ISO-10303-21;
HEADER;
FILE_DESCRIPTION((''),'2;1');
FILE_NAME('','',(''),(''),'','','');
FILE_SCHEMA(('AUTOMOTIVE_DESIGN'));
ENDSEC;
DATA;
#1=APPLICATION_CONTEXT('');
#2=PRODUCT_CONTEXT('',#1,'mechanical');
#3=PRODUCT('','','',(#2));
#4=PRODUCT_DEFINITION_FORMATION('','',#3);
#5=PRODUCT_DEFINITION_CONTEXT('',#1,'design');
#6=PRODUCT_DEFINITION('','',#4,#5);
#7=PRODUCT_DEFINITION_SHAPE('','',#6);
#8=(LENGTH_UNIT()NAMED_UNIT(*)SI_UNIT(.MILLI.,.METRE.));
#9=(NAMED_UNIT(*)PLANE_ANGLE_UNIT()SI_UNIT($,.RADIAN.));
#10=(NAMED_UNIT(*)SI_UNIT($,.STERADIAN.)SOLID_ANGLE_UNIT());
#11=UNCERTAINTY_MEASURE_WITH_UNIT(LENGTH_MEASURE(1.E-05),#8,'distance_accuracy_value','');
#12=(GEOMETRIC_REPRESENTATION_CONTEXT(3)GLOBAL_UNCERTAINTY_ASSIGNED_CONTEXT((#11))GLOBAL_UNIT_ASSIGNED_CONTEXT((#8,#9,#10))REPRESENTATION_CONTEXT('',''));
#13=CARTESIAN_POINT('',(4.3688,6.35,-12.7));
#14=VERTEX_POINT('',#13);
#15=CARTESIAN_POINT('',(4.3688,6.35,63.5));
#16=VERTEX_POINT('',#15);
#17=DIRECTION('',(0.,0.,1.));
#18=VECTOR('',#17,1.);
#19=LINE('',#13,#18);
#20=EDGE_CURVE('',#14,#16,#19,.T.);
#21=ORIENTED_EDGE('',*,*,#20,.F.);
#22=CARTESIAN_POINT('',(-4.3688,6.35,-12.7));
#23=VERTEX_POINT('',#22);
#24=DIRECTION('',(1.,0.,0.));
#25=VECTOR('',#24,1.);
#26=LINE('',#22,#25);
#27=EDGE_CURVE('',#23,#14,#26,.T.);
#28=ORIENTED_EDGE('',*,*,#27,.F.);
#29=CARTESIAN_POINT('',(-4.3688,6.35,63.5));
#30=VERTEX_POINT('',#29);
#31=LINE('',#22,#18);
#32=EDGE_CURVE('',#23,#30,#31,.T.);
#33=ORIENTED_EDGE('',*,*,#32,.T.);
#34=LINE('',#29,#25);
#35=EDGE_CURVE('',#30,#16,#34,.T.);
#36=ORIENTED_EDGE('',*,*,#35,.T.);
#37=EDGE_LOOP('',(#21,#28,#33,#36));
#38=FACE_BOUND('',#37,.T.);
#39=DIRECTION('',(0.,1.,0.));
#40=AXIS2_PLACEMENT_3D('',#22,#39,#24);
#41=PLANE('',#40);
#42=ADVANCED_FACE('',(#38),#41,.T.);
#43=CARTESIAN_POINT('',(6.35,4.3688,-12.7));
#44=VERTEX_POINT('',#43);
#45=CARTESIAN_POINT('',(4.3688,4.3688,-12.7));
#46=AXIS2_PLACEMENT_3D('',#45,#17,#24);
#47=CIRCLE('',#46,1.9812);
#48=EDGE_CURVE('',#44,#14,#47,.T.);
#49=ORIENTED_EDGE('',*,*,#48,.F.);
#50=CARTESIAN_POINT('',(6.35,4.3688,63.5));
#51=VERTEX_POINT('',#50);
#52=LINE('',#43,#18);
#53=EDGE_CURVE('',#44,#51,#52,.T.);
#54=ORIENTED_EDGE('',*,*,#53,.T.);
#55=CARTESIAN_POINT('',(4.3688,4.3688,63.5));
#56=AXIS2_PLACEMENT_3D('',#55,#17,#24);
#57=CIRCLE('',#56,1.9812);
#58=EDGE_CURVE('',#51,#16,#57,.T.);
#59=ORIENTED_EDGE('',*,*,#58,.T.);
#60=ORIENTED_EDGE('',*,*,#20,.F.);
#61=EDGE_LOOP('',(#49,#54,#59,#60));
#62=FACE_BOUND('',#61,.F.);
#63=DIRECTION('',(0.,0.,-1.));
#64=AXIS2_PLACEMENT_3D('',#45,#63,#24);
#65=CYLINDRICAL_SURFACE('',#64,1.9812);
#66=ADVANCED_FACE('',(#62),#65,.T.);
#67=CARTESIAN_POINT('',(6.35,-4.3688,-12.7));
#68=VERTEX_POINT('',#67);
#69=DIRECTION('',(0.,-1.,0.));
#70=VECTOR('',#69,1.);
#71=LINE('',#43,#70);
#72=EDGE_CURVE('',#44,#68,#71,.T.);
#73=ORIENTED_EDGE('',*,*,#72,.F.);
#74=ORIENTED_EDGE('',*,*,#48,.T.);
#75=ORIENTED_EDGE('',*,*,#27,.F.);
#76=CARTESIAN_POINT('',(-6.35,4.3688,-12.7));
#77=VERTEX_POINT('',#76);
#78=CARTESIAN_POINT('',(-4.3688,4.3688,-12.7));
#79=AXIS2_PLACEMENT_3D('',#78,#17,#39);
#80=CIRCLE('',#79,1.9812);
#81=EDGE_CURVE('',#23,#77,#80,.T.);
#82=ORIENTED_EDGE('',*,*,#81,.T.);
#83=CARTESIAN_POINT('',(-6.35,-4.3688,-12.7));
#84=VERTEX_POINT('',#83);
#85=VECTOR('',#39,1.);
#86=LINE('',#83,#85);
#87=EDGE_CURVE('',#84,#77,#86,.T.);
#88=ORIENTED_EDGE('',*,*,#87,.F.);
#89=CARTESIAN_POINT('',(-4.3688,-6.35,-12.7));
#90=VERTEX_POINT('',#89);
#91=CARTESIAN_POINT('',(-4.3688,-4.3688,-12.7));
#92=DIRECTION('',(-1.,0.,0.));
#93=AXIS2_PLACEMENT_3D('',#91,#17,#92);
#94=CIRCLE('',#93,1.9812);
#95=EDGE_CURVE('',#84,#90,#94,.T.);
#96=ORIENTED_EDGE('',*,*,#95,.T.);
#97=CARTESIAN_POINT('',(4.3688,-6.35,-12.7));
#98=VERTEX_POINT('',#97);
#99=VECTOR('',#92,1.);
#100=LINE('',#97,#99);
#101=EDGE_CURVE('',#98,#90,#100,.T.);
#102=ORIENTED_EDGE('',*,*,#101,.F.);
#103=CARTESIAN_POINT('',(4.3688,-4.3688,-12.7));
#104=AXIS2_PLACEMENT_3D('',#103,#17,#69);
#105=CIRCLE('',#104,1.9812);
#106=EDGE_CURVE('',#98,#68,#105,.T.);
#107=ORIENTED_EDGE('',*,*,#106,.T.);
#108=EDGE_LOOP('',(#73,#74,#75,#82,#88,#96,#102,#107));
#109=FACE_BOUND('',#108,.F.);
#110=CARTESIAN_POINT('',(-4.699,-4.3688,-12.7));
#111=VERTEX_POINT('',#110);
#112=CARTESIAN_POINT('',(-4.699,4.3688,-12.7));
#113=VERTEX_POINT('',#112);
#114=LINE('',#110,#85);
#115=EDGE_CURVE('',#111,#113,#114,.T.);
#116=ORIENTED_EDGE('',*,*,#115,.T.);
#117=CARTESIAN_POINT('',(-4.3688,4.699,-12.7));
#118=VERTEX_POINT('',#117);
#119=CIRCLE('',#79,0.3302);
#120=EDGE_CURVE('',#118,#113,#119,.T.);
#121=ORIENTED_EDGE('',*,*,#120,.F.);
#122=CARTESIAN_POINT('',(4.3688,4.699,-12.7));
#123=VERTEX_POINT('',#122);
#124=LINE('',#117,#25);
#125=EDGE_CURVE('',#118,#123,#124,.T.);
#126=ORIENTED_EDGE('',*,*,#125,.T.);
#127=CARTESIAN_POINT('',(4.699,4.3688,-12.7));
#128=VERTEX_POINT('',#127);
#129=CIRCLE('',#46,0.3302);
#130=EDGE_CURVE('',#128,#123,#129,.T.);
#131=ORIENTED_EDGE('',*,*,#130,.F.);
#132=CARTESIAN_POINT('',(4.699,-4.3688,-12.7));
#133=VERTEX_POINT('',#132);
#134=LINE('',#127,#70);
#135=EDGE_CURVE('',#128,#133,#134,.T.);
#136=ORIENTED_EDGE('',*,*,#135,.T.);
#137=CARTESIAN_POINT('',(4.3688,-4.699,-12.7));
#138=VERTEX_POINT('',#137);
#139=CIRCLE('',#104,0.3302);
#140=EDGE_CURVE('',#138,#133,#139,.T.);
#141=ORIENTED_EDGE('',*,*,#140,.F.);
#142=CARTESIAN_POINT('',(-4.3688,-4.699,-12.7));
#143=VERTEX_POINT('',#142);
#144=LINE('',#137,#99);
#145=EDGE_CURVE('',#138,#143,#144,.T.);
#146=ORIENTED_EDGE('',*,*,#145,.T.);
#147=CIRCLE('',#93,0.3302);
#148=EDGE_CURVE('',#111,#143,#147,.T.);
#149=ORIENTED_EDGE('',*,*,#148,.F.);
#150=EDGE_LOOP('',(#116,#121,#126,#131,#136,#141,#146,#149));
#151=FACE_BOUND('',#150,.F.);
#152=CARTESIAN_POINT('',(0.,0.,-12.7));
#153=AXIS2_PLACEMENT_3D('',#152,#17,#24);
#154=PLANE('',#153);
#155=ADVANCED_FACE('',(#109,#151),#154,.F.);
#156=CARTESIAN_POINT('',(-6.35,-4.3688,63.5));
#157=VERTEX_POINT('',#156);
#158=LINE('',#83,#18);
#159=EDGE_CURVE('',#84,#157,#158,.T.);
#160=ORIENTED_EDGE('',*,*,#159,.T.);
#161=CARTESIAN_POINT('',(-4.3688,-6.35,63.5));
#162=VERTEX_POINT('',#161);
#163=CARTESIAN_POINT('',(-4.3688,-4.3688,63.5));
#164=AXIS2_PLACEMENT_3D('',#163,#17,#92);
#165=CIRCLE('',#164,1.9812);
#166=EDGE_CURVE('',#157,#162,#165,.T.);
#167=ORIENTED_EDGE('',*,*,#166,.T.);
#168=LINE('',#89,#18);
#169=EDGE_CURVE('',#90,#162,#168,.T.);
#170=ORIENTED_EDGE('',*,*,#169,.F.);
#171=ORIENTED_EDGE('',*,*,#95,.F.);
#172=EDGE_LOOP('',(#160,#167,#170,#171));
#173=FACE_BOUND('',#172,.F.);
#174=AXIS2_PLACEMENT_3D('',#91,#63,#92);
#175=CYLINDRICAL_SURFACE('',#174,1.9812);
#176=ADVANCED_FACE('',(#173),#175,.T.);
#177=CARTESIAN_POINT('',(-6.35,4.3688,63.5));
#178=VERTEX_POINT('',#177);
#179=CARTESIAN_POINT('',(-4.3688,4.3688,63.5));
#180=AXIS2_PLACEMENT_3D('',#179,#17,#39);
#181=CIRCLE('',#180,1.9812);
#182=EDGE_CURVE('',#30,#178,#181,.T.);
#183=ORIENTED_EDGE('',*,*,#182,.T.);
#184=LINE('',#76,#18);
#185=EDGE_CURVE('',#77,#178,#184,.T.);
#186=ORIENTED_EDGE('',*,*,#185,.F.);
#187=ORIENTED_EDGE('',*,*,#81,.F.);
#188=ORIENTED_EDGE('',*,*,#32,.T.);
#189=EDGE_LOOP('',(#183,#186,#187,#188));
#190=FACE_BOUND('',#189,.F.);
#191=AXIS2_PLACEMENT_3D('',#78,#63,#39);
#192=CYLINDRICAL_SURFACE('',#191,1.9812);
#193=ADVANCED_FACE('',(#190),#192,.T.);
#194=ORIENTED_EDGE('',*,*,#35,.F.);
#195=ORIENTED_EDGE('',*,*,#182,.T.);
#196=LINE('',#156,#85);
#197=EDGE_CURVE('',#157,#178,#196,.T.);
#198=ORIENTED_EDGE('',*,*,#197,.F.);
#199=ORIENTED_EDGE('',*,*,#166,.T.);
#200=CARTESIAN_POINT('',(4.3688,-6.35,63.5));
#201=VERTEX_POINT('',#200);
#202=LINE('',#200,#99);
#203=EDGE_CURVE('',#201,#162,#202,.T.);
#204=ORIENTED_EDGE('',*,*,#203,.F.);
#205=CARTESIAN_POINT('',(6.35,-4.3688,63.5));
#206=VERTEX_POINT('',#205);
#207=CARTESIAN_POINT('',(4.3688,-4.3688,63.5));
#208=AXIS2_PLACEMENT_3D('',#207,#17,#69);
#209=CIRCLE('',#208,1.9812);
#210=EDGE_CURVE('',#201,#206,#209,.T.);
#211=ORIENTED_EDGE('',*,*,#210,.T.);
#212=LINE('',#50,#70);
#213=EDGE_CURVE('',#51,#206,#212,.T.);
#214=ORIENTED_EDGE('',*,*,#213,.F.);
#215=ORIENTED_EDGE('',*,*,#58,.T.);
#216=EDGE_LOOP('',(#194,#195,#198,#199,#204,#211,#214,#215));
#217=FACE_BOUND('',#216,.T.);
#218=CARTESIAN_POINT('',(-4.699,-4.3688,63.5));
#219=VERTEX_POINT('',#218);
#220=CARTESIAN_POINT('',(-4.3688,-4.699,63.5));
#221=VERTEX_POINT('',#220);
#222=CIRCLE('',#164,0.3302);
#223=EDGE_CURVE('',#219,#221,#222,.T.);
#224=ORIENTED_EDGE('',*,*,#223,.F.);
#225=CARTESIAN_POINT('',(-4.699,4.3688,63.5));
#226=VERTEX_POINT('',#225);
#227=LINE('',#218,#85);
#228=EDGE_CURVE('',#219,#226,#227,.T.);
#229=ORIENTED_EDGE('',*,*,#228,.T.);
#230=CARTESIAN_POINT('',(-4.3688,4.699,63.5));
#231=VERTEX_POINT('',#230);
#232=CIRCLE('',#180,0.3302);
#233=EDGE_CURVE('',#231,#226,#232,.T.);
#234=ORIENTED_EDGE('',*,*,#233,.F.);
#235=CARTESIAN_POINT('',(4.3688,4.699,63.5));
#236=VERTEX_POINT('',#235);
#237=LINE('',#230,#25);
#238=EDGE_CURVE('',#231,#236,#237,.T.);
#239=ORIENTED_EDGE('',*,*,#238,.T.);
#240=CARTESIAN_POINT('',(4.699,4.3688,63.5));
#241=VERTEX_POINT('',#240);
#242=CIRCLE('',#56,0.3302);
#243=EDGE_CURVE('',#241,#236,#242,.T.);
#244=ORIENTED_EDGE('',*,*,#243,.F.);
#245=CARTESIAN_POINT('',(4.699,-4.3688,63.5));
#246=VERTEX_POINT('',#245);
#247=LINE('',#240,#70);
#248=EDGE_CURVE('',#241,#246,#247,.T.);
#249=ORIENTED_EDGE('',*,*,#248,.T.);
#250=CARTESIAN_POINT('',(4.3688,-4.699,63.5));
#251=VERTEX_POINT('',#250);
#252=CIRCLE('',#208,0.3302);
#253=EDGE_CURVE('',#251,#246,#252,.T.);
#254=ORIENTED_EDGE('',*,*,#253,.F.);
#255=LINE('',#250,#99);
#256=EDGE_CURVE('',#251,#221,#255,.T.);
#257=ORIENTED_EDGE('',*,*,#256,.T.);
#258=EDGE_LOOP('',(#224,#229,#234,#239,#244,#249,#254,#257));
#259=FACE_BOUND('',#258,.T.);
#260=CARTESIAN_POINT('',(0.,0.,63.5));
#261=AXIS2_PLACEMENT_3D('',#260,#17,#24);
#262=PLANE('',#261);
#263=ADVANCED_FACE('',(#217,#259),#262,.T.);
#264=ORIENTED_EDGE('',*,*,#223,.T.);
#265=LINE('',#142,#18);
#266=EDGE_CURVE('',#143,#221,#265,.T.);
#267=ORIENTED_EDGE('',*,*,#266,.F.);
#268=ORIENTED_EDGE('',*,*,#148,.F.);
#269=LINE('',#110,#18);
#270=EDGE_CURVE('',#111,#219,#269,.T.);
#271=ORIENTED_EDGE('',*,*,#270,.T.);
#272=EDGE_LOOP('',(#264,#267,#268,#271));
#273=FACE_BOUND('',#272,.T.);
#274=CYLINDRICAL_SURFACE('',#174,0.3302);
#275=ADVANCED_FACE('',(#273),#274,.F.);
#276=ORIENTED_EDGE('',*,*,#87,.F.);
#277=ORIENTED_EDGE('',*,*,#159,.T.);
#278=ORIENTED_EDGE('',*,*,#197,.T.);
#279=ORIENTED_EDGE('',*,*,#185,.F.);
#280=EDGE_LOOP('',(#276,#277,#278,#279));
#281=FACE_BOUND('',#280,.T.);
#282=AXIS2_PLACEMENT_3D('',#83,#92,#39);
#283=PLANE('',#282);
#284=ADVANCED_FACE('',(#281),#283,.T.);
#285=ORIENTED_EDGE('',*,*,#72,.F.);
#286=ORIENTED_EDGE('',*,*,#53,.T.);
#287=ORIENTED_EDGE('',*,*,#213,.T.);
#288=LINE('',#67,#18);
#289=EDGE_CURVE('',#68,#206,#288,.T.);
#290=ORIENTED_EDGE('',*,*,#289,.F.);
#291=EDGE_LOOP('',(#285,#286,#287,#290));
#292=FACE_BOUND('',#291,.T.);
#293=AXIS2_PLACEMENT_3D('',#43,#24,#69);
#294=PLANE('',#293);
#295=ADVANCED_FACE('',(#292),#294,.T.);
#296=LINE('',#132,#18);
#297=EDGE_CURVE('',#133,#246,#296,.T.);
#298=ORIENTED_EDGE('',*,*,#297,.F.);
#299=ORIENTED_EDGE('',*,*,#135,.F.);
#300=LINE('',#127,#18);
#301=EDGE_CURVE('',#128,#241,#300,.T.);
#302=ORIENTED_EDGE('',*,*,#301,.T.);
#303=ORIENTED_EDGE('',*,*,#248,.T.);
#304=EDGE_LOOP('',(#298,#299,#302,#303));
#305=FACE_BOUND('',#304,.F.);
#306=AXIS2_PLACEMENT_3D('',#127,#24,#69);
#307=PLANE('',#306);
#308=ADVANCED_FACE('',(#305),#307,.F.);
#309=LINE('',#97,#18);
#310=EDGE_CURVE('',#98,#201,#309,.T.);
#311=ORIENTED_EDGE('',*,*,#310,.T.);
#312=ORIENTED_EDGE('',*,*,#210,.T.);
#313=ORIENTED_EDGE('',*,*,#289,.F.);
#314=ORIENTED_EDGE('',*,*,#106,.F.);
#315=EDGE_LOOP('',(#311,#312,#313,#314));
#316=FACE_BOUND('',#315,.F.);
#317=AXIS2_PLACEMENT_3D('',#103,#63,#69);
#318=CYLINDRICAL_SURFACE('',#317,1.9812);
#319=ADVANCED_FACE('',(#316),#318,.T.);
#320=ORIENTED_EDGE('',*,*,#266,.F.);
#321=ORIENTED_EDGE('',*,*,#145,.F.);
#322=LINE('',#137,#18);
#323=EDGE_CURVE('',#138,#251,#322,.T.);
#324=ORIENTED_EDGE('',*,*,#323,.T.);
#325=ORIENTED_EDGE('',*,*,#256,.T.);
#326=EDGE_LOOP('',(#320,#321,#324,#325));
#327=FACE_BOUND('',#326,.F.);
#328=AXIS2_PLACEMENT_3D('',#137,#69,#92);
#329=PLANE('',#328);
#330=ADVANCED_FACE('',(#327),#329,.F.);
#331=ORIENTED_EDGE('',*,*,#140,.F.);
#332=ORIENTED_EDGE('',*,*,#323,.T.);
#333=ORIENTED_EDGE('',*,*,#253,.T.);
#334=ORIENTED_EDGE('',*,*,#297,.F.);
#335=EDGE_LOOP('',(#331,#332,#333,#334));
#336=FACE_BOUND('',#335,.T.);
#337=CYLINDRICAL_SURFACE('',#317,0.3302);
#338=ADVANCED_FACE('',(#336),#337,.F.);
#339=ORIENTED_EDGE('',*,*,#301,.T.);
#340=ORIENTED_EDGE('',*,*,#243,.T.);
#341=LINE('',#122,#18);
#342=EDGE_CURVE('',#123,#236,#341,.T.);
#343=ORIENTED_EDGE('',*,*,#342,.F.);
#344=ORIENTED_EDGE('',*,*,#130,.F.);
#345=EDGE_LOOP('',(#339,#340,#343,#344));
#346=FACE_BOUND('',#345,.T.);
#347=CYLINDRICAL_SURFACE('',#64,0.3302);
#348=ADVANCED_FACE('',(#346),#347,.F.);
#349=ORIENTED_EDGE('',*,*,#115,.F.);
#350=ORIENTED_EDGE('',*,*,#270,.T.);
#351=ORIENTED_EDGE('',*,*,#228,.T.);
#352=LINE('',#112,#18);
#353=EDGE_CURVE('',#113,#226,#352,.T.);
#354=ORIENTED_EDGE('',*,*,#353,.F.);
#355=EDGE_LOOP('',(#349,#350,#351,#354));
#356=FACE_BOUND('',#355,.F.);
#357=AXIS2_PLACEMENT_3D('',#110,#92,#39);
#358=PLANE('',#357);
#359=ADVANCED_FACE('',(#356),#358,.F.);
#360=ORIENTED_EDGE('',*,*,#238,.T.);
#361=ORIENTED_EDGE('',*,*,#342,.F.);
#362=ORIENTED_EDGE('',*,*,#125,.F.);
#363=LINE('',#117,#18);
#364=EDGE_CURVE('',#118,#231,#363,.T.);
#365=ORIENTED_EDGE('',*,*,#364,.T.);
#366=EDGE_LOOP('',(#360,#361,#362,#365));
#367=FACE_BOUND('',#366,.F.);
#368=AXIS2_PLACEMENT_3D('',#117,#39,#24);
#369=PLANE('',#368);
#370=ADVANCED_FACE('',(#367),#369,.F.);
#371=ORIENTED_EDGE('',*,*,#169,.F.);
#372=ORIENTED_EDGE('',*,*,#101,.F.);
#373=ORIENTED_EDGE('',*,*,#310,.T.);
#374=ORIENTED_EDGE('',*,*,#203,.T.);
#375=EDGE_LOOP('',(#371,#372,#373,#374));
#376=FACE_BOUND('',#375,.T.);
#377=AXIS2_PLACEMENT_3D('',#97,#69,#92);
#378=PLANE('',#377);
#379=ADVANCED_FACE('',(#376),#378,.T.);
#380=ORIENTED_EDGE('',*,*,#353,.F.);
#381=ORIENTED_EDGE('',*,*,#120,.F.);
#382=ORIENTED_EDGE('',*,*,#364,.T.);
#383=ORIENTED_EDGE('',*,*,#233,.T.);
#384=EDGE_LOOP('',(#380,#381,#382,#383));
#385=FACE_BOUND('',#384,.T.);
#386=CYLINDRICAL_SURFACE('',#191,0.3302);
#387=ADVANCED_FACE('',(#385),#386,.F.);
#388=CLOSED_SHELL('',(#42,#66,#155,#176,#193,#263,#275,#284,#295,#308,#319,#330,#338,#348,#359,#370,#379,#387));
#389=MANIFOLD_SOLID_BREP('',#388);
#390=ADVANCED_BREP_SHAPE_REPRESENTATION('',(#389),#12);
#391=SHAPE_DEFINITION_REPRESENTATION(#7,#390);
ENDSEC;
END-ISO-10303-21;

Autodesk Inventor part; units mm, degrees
ref_plane "Start plane" through (0, 0, -12.7) normal (0, 0, 1) x (1, 0, 0)
ref_plane "End plane" through (0, 0, 63.5) normal (0, 0, 1) x (1, 0, 0)
sketch "Sketch" plane through (0, 0, 0) normal (0, 0, 1) x (1, 0, 0)
  line L0 (-6.35, -4.3688) -> (-6.35, 4.3688)
  line L1 (-4.3688, 6.35) -> (4.3688, 6.35)
  line L2 (6.35, 4.3688) -> (6.35, -4.3688)
  line L3 (4.3688, -6.35) -> (-4.3688, -6.35)
  arc A0 (-6.35, -4.3688) -> (-4.3688, -6.35) centre (-4.3688, -4.3688) ccw
  arc A1 (-4.3688, 6.35) -> (-6.35, 4.3688) centre (-4.3688, 4.3688) ccw
  arc A2 (6.35, 4.3688) -> (4.3688, 6.35) centre (4.3688, 4.3688) ccw
  arc A3 (4.3688, -6.35) -> (6.35, -4.3688) centre (4.3688, -4.3688) ccw
  arc A4 (-4.3688, 4.699) -> (-4.699, 4.3688) centre (-4.3688, 4.3688) ccw
  line L4 (-4.3688, 4.699) -> (4.3688, 4.699)
  arc A5 (4.699, 4.3688) -> (4.3688, 4.699) centre (4.3688, 4.3688) ccw
  line L5 (4.699, 4.3688) -> (4.699, -4.3688)
  arc A6 (4.3688, -4.699) -> (4.699, -4.3688) centre (4.3688, -4.3688) ccw
  line L6 (4.3688, -4.699) -> (-4.3688, -4.699)
  arc A7 (-4.699, -4.3688) -> (-4.3688, -4.699) centre (-4.3688, -4.3688) ccw
  line L7 (-4.699, -4.3688) -> (-4.699, 4.3688)
  line L8 (0, 9.4644) -> (0, -9.4644) construction
  line L9 (-10.1124, 0) -> (13.3521, 0) construction
  dimension "d10" = 12.7
  dimension "d11" = 12.7
  dimension "d12" = 1.651
  dimension "d15" = 6.35
  dimension "d16" = 6.35
  dimension "d17" = 1.9812
extrude "Body" add sketch "Sketch" along normal up to surface (76.2 mm away) from surface at -12.7
sketch "Sketch3" plane through (0, 0, 0) normal (0, 0, 1) x (1, 0, 0)
  line L0 (0, 0) -> (10, 0)
ref_plane "Work Plane3" through (0, 0, 0) normal (0, -1, 0) x (1, 0, 0)
sketch "Sketch4" plane through (0, 0, 0) normal (0, -1, 0) x (1, 0, 0)
  line L0 (-2, -12.7) -> (12, -12.7)
  line L1 (-2, 63.5) -> (12, 63.5)
  dimension "d19" = 76.2
ref_plane "Work Plane4" through (6.35, -17.0688, -12.7) normal (0, 0, -1) x (-1, 0, 0)
split "Split1" plane through (6.35, -17.0688, -12.7) removes the side toward (0, 0, -1)
ref_plane "Work Plane5" through (6.35, -8.3312, 63.5) normal (0, 0, 1) x (1, 0, 0)
split "Split2" plane through (6.35, -8.3312, 63.5) removes the side toward (0, 0, 1)
equation "\"d10\" = G_H"
equation "\"d11\" = G_W"
equation "\"d12\" = G_T"
equation "\"d15\" = 0.5 * d10"
equation "\"d16\" = 0.5 * d11"
equation "\"d17\" = G_IR"
equation "\"d3\" = G_L"
equation "\"G_W\" = 12.7"
equation "\"G_H\" = 12.7"
equation "\"G_T\" = 1.651"
equation "\"G_IR\" = 1.2 * G_T"
equation "\"G_L\" = d19"
equation "\"G_OFFSET_START\" = 12.7"
equation "\"G_OFFSET_END\" = 12.7"
equation "\"d13\" = -G_OFFSET_START"
equation "\"d14\" = G_OFFSET_END + B_L"
equation "\"B_L\" = 50.8"
properties part number "ASTM A513 - 1/2 x 1/2 x 13/200 - 3" material "Steel, Mild"
